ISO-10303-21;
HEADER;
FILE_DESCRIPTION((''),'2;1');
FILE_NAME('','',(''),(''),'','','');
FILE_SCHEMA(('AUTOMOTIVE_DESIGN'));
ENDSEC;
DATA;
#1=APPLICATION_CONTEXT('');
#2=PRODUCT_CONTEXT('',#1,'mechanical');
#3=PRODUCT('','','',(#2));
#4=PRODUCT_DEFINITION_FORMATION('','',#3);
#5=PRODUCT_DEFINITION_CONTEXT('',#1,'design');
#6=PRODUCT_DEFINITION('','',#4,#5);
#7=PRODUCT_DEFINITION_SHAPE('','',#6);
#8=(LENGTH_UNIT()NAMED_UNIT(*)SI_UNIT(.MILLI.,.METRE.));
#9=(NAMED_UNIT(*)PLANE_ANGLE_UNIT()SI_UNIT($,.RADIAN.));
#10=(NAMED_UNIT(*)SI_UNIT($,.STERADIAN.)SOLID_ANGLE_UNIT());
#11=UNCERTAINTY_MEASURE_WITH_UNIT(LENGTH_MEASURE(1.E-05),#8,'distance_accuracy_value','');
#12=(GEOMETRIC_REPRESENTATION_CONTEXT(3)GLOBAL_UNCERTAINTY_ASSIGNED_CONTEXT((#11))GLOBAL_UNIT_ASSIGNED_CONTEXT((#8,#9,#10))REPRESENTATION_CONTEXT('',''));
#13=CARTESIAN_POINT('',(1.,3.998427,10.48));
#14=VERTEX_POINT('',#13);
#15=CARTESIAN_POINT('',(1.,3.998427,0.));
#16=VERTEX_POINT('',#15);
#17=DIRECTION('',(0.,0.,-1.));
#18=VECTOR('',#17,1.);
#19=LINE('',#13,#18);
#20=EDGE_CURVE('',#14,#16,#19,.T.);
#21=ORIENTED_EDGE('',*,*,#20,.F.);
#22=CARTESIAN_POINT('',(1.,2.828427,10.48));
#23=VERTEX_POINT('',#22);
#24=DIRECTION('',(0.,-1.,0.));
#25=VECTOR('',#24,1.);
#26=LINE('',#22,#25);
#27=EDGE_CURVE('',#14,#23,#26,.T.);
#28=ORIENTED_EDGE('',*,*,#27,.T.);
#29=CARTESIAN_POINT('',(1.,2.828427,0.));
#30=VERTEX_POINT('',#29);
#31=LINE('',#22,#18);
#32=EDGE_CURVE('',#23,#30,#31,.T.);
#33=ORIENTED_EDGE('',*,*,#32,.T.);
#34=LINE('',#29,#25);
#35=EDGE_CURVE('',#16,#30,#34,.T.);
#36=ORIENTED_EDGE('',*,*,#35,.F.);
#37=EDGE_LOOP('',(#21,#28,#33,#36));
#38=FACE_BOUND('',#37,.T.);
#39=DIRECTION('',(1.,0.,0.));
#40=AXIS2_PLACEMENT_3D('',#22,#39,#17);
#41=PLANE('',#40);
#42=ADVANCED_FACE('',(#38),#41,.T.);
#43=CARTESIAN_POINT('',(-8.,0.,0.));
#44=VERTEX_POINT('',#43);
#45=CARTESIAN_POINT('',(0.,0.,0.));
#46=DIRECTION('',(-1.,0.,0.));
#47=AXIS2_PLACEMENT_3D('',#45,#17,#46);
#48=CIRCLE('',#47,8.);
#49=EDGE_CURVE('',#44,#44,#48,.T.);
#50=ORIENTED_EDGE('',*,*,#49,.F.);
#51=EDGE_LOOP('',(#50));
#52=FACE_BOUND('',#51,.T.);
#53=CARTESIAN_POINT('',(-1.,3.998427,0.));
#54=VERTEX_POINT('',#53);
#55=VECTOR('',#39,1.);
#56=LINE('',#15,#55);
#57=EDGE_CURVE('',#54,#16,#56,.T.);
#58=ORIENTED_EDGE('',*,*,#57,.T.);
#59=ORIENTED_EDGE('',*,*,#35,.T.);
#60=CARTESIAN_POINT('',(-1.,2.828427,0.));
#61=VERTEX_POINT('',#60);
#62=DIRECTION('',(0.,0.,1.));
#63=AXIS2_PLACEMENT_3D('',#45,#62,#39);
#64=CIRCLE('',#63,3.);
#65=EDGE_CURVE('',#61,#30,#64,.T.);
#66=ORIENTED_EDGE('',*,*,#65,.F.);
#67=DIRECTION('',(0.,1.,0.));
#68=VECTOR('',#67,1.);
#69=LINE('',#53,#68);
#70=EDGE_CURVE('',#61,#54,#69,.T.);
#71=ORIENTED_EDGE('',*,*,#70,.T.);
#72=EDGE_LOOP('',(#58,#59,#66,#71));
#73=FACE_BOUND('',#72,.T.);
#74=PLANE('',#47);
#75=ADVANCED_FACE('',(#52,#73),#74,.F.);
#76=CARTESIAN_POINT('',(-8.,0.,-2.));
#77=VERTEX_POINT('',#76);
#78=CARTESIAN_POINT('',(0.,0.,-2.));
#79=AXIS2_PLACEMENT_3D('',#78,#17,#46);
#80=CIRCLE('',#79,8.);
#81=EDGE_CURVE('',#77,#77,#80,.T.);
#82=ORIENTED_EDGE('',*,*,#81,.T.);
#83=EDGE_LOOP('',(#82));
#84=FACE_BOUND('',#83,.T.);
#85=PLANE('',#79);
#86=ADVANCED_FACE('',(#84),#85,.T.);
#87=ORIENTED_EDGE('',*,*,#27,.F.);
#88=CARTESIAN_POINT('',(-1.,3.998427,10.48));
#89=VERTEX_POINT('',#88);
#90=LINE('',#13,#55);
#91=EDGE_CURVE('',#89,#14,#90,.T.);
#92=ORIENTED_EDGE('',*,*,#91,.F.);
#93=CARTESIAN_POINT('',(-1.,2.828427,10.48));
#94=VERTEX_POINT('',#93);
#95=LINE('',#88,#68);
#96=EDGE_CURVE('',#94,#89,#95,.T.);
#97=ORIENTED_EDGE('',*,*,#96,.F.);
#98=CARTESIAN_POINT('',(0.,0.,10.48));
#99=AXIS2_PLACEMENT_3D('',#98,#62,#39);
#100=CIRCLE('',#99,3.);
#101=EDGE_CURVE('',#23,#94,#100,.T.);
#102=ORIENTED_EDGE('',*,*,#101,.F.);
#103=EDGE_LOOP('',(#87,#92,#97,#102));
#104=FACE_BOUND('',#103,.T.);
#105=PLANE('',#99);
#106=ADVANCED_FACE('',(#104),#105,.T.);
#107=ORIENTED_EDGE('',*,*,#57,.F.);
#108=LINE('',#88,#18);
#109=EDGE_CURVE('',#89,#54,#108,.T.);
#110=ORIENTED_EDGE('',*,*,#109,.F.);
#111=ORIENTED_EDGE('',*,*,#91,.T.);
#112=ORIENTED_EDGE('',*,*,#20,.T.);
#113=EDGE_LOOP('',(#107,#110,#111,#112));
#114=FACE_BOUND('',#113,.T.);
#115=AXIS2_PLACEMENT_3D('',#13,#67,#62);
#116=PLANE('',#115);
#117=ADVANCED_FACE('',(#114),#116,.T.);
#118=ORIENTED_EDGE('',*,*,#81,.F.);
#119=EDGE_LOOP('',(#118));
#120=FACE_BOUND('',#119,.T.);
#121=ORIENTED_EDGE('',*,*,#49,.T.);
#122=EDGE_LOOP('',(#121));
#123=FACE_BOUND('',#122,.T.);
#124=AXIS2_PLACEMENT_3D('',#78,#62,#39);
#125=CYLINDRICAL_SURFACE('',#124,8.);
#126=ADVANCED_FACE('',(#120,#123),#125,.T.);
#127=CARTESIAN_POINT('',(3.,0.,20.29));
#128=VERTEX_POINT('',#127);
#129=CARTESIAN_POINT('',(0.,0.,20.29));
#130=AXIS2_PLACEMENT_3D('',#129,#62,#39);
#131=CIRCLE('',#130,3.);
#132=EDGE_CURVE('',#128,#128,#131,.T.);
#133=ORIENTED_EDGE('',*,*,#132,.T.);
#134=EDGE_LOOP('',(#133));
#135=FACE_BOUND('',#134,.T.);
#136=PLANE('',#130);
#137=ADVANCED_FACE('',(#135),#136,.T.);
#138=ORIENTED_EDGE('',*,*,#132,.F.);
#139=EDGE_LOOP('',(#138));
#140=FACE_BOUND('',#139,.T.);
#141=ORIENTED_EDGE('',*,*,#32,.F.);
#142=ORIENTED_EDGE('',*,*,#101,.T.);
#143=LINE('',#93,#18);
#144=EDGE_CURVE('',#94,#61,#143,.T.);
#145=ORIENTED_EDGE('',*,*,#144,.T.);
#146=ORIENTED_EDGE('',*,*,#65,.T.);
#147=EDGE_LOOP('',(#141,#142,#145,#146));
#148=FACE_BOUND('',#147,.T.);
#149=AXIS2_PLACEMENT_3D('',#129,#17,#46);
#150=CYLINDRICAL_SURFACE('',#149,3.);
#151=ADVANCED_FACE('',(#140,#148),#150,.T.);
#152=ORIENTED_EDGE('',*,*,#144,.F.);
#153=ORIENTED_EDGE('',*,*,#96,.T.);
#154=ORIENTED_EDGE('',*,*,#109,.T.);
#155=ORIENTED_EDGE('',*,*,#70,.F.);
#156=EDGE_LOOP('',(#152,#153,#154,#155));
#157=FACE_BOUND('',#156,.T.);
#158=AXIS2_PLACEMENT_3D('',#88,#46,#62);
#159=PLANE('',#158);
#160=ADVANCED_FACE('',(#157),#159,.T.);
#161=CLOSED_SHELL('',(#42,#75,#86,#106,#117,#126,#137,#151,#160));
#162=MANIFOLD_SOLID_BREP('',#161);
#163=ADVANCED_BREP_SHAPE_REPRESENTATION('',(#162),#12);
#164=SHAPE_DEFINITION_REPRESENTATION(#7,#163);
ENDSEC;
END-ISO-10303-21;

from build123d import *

# Parameters (mm, degrees)
SKETCH1_R           = 3
BOSS_EXTRUDE1_DEPTH = 20.29
SKETCH2_W           = 2
SKETCH2_H           = 1.17
BOSS_EXTRUDE2_DEPTH = 10.48
SKETCH3_R           = 8
BOSS_EXTRUDE3_DEPTH = 2


with BuildPart() as part:
    # Sketch1 → Boss-Extrude1 (new body)
    with BuildSketch(Plane.XY):
        Circle(SKETCH1_R)
    extrude(amount=BOSS_EXTRUDE1_DEPTH)

    # Sketch2 → Boss-Extrude2 (add)
    with BuildSketch(Plane(origin=(0, 0, 0), x_dir=(-1, 0, 0), z_dir=(0, 0, -1))):
        with Locations((0, 3.413427125)):
            Rectangle(SKETCH2_W, SKETCH2_H)
    extrude(amount=-BOSS_EXTRUDE2_DEPTH)

    # Sketch3 → Boss-Extrude3 (add)
    with BuildSketch(Plane(origin=(0, 0, 0), x_dir=(-1, 0, 0), z_dir=(0, 0, -1))):
        Circle(SKETCH3_R)
    extrude(amount=BOSS_EXTRUDE3_DEPTH)


solid = part.part
